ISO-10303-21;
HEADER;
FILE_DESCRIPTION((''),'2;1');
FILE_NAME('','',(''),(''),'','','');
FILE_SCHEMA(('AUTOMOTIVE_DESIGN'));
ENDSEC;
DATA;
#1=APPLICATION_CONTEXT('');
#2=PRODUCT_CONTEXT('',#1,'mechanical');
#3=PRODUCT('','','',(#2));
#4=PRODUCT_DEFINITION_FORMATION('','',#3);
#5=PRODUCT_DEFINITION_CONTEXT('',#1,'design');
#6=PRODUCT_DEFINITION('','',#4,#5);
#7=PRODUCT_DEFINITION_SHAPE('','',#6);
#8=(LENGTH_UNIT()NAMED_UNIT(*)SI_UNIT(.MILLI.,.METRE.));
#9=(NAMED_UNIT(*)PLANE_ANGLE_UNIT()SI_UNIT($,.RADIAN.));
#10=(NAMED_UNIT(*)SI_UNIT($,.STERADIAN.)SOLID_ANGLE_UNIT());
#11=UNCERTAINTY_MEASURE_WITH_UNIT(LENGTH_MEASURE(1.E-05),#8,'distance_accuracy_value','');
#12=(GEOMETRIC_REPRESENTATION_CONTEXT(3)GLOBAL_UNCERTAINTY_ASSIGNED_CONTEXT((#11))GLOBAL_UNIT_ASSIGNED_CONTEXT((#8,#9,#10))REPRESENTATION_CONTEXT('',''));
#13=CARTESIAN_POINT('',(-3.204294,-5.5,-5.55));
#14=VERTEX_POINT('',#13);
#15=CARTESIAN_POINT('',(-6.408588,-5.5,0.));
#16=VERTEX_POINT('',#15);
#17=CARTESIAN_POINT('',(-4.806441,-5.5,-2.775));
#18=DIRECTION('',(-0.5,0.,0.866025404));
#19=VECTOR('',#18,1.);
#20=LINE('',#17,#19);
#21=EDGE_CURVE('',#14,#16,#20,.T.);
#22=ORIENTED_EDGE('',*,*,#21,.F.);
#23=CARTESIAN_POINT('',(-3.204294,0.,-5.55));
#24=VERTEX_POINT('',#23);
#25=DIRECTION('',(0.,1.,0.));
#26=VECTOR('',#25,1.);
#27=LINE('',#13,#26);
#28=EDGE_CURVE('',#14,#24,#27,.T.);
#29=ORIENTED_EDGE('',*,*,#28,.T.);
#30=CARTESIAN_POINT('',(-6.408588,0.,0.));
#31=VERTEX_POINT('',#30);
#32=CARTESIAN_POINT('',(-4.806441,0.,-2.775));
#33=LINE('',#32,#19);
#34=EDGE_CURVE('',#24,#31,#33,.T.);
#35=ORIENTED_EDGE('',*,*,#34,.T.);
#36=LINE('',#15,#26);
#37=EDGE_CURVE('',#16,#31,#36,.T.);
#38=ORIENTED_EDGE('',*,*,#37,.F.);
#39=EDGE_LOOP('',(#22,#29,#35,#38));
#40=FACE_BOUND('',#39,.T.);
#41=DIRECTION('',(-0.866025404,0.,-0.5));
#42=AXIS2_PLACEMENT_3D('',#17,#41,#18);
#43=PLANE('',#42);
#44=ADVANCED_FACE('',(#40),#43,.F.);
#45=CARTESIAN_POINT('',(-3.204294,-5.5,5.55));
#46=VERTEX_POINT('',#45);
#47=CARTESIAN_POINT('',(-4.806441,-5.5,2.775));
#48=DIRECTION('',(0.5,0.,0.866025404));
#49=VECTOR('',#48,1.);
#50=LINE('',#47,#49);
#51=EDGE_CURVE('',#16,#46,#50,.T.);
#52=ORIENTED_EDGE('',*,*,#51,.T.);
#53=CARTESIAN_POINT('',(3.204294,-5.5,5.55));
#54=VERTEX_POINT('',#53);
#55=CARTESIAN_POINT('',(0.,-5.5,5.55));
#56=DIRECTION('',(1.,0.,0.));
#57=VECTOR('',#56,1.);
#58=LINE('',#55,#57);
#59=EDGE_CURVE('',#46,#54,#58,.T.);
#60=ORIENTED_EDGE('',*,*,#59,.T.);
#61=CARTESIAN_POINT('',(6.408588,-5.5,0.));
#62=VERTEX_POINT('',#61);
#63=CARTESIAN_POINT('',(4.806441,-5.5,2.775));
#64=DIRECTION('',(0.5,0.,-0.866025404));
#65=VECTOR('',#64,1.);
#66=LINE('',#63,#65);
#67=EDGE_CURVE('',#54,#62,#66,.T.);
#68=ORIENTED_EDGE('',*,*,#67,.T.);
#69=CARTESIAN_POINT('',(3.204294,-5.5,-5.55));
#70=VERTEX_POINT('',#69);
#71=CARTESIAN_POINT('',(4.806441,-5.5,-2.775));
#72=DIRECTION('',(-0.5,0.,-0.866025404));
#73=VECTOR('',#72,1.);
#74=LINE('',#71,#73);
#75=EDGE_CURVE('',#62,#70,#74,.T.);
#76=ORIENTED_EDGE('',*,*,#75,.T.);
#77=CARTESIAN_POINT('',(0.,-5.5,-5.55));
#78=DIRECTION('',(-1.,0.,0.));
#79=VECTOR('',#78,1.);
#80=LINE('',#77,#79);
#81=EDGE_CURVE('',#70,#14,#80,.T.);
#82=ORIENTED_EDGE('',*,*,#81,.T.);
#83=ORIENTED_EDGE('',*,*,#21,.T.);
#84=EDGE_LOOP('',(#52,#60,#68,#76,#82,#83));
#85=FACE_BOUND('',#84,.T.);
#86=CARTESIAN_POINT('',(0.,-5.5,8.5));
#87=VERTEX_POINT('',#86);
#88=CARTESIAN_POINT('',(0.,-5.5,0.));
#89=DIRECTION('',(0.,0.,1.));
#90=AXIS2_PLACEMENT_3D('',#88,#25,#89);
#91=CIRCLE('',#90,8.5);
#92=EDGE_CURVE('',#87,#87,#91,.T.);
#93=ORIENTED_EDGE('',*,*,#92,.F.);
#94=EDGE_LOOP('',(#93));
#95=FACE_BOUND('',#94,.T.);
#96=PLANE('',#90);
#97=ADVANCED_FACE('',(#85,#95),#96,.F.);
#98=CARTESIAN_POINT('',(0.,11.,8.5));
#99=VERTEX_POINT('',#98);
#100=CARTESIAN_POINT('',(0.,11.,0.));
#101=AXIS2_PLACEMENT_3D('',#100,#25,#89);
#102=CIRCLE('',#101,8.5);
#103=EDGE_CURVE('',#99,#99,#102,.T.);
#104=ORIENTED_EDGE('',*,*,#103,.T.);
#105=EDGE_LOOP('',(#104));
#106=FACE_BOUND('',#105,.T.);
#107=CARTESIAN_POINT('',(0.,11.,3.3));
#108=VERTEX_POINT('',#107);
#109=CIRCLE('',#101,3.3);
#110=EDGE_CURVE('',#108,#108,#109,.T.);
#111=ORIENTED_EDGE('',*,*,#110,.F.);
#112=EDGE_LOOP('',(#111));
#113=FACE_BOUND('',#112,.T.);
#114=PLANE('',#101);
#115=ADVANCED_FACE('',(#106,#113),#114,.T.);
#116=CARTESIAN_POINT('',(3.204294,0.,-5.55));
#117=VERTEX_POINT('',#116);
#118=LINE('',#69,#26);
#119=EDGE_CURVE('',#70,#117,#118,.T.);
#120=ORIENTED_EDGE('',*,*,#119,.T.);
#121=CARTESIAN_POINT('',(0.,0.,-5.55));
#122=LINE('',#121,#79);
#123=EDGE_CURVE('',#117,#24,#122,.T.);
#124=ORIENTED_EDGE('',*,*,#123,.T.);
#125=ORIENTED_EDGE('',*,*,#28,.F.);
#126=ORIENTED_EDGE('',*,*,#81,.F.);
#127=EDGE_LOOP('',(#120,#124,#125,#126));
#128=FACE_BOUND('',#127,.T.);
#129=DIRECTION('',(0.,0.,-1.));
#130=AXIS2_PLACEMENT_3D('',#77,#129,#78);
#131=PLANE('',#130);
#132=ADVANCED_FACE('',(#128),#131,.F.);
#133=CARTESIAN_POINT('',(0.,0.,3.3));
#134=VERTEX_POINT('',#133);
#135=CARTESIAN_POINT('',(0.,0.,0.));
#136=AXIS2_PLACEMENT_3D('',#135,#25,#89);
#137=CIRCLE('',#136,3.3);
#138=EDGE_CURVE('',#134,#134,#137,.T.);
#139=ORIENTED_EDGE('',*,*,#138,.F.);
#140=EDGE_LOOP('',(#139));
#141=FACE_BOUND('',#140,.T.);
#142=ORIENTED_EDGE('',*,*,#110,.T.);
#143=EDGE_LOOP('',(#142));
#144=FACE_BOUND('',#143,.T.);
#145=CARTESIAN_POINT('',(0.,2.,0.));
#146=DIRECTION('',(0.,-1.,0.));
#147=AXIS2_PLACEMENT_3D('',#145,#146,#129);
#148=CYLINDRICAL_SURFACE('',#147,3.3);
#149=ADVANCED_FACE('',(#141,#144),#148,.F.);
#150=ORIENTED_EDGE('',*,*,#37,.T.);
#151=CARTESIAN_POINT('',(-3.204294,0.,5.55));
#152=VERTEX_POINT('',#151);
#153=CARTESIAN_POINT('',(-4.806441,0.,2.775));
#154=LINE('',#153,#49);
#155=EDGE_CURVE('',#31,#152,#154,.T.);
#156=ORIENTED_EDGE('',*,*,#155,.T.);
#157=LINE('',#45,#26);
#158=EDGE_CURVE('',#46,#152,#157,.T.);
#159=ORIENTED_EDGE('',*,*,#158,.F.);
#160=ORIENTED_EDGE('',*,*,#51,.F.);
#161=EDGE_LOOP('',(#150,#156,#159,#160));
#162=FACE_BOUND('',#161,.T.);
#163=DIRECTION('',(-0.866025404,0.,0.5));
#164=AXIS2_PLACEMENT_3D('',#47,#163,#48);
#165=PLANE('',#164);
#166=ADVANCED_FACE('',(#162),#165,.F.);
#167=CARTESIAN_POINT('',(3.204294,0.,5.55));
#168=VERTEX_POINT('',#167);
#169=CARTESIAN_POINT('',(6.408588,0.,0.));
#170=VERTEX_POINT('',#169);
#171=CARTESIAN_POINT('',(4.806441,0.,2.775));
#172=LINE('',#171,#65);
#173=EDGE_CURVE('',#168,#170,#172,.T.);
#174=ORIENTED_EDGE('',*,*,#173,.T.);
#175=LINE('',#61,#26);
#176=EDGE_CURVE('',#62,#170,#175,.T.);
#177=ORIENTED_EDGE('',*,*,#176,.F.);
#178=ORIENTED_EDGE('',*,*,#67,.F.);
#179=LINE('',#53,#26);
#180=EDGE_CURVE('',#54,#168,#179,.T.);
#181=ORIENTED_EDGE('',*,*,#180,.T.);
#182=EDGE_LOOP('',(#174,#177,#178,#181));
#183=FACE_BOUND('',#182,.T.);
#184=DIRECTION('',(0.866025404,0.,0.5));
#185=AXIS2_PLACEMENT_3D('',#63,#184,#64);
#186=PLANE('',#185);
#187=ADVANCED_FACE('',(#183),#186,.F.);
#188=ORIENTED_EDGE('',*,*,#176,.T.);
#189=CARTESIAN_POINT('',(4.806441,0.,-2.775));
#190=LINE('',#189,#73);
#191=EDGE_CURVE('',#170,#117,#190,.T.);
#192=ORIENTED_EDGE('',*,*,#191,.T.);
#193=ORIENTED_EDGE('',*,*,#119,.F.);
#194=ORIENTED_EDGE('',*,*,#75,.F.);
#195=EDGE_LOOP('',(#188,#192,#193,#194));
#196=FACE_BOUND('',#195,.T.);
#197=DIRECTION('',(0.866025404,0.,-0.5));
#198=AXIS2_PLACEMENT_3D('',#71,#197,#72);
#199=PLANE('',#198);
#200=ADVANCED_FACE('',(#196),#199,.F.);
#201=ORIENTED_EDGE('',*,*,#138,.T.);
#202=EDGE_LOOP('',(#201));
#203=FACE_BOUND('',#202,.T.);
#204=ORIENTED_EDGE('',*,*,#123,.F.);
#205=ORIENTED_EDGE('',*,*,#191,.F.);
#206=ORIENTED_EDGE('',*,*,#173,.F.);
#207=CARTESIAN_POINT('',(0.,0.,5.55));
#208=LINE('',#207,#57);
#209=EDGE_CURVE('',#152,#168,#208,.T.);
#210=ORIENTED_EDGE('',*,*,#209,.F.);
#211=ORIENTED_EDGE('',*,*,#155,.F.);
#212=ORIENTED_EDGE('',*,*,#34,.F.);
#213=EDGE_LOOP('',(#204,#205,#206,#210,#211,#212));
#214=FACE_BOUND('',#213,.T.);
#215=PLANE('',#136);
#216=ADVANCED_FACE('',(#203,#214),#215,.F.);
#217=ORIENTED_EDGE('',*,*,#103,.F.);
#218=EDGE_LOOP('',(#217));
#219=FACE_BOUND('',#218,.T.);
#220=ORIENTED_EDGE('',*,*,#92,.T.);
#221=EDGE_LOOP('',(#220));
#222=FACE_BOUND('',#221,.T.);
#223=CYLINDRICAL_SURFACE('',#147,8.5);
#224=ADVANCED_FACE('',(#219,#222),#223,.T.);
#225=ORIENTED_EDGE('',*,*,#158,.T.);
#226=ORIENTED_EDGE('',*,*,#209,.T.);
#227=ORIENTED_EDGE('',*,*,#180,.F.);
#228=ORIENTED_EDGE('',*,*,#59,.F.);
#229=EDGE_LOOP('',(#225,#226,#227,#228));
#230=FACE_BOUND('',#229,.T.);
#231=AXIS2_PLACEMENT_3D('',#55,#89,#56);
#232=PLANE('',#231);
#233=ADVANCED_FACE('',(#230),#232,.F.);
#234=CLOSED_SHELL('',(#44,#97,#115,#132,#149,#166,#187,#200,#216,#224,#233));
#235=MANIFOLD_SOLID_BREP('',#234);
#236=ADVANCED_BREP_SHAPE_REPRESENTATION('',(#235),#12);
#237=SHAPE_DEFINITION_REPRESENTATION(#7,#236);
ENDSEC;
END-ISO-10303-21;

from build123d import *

# Parameters (mm, degrees)
SKETCH2_R           = 8.5
SKETCH2_R_2         = 3.3
BOSS_EXTRUDE1_DEPTH = 2
BOSS_EXTRUDE2_START = -5.5
SKETCH2_4_R         = 8.5
BOSS_EXTRUDE2_DEPTH = 5.5
SKETCH3_R           = 8.5
SKETCH3_R_2         = 3.3
BOSS_EXTRUDE3_DEPTH = 9


with BuildPart() as part:
    # Sketch2 → Boss-Extrude1 (new body)
    with BuildSketch(Plane(origin=(0, 0, 0), x_dir=(1, 0, 0), z_dir=(0, 1, 0))):
        Circle(SKETCH2_R)
        Circle(SKETCH2_R_2, mode=Mode.SUBTRACT)
    extrude(amount=BOSS_EXTRUDE1_DEPTH)

    # Sketch2<4> → Boss-Extrude2 (add)
    with BuildSketch(Plane(origin=(0, 0, 0), x_dir=(1, 0, 0), z_dir=(0, 1, 0)).offset(BOSS_EXTRUDE2_START)):
        Circle(SKETCH2_4_R)
        Polygon((-3.204293994, -5.55), (-6.408587988, 0), (-3.204293994, 5.55), (3.204293994, 5.55), (6.408587988, 0), (3.204293994, -5.55), align=None, mode=Mode.SUBTRACT)
    extrude(amount=BOSS_EXTRUDE2_DEPTH)

    # Sketch3 → Boss-Extrude3 (add)
    with BuildSketch(Plane(origin=(0, 2, 0), x_dir=(1, 0, 0), z_dir=(0, 1, 0))):
        Circle(SKETCH3_R)
        Circle(SKETCH3_R_2, mode=Mode.SUBTRACT)
    extrude(amount=BOSS_EXTRUDE3_DEPTH)


solid = part.part
